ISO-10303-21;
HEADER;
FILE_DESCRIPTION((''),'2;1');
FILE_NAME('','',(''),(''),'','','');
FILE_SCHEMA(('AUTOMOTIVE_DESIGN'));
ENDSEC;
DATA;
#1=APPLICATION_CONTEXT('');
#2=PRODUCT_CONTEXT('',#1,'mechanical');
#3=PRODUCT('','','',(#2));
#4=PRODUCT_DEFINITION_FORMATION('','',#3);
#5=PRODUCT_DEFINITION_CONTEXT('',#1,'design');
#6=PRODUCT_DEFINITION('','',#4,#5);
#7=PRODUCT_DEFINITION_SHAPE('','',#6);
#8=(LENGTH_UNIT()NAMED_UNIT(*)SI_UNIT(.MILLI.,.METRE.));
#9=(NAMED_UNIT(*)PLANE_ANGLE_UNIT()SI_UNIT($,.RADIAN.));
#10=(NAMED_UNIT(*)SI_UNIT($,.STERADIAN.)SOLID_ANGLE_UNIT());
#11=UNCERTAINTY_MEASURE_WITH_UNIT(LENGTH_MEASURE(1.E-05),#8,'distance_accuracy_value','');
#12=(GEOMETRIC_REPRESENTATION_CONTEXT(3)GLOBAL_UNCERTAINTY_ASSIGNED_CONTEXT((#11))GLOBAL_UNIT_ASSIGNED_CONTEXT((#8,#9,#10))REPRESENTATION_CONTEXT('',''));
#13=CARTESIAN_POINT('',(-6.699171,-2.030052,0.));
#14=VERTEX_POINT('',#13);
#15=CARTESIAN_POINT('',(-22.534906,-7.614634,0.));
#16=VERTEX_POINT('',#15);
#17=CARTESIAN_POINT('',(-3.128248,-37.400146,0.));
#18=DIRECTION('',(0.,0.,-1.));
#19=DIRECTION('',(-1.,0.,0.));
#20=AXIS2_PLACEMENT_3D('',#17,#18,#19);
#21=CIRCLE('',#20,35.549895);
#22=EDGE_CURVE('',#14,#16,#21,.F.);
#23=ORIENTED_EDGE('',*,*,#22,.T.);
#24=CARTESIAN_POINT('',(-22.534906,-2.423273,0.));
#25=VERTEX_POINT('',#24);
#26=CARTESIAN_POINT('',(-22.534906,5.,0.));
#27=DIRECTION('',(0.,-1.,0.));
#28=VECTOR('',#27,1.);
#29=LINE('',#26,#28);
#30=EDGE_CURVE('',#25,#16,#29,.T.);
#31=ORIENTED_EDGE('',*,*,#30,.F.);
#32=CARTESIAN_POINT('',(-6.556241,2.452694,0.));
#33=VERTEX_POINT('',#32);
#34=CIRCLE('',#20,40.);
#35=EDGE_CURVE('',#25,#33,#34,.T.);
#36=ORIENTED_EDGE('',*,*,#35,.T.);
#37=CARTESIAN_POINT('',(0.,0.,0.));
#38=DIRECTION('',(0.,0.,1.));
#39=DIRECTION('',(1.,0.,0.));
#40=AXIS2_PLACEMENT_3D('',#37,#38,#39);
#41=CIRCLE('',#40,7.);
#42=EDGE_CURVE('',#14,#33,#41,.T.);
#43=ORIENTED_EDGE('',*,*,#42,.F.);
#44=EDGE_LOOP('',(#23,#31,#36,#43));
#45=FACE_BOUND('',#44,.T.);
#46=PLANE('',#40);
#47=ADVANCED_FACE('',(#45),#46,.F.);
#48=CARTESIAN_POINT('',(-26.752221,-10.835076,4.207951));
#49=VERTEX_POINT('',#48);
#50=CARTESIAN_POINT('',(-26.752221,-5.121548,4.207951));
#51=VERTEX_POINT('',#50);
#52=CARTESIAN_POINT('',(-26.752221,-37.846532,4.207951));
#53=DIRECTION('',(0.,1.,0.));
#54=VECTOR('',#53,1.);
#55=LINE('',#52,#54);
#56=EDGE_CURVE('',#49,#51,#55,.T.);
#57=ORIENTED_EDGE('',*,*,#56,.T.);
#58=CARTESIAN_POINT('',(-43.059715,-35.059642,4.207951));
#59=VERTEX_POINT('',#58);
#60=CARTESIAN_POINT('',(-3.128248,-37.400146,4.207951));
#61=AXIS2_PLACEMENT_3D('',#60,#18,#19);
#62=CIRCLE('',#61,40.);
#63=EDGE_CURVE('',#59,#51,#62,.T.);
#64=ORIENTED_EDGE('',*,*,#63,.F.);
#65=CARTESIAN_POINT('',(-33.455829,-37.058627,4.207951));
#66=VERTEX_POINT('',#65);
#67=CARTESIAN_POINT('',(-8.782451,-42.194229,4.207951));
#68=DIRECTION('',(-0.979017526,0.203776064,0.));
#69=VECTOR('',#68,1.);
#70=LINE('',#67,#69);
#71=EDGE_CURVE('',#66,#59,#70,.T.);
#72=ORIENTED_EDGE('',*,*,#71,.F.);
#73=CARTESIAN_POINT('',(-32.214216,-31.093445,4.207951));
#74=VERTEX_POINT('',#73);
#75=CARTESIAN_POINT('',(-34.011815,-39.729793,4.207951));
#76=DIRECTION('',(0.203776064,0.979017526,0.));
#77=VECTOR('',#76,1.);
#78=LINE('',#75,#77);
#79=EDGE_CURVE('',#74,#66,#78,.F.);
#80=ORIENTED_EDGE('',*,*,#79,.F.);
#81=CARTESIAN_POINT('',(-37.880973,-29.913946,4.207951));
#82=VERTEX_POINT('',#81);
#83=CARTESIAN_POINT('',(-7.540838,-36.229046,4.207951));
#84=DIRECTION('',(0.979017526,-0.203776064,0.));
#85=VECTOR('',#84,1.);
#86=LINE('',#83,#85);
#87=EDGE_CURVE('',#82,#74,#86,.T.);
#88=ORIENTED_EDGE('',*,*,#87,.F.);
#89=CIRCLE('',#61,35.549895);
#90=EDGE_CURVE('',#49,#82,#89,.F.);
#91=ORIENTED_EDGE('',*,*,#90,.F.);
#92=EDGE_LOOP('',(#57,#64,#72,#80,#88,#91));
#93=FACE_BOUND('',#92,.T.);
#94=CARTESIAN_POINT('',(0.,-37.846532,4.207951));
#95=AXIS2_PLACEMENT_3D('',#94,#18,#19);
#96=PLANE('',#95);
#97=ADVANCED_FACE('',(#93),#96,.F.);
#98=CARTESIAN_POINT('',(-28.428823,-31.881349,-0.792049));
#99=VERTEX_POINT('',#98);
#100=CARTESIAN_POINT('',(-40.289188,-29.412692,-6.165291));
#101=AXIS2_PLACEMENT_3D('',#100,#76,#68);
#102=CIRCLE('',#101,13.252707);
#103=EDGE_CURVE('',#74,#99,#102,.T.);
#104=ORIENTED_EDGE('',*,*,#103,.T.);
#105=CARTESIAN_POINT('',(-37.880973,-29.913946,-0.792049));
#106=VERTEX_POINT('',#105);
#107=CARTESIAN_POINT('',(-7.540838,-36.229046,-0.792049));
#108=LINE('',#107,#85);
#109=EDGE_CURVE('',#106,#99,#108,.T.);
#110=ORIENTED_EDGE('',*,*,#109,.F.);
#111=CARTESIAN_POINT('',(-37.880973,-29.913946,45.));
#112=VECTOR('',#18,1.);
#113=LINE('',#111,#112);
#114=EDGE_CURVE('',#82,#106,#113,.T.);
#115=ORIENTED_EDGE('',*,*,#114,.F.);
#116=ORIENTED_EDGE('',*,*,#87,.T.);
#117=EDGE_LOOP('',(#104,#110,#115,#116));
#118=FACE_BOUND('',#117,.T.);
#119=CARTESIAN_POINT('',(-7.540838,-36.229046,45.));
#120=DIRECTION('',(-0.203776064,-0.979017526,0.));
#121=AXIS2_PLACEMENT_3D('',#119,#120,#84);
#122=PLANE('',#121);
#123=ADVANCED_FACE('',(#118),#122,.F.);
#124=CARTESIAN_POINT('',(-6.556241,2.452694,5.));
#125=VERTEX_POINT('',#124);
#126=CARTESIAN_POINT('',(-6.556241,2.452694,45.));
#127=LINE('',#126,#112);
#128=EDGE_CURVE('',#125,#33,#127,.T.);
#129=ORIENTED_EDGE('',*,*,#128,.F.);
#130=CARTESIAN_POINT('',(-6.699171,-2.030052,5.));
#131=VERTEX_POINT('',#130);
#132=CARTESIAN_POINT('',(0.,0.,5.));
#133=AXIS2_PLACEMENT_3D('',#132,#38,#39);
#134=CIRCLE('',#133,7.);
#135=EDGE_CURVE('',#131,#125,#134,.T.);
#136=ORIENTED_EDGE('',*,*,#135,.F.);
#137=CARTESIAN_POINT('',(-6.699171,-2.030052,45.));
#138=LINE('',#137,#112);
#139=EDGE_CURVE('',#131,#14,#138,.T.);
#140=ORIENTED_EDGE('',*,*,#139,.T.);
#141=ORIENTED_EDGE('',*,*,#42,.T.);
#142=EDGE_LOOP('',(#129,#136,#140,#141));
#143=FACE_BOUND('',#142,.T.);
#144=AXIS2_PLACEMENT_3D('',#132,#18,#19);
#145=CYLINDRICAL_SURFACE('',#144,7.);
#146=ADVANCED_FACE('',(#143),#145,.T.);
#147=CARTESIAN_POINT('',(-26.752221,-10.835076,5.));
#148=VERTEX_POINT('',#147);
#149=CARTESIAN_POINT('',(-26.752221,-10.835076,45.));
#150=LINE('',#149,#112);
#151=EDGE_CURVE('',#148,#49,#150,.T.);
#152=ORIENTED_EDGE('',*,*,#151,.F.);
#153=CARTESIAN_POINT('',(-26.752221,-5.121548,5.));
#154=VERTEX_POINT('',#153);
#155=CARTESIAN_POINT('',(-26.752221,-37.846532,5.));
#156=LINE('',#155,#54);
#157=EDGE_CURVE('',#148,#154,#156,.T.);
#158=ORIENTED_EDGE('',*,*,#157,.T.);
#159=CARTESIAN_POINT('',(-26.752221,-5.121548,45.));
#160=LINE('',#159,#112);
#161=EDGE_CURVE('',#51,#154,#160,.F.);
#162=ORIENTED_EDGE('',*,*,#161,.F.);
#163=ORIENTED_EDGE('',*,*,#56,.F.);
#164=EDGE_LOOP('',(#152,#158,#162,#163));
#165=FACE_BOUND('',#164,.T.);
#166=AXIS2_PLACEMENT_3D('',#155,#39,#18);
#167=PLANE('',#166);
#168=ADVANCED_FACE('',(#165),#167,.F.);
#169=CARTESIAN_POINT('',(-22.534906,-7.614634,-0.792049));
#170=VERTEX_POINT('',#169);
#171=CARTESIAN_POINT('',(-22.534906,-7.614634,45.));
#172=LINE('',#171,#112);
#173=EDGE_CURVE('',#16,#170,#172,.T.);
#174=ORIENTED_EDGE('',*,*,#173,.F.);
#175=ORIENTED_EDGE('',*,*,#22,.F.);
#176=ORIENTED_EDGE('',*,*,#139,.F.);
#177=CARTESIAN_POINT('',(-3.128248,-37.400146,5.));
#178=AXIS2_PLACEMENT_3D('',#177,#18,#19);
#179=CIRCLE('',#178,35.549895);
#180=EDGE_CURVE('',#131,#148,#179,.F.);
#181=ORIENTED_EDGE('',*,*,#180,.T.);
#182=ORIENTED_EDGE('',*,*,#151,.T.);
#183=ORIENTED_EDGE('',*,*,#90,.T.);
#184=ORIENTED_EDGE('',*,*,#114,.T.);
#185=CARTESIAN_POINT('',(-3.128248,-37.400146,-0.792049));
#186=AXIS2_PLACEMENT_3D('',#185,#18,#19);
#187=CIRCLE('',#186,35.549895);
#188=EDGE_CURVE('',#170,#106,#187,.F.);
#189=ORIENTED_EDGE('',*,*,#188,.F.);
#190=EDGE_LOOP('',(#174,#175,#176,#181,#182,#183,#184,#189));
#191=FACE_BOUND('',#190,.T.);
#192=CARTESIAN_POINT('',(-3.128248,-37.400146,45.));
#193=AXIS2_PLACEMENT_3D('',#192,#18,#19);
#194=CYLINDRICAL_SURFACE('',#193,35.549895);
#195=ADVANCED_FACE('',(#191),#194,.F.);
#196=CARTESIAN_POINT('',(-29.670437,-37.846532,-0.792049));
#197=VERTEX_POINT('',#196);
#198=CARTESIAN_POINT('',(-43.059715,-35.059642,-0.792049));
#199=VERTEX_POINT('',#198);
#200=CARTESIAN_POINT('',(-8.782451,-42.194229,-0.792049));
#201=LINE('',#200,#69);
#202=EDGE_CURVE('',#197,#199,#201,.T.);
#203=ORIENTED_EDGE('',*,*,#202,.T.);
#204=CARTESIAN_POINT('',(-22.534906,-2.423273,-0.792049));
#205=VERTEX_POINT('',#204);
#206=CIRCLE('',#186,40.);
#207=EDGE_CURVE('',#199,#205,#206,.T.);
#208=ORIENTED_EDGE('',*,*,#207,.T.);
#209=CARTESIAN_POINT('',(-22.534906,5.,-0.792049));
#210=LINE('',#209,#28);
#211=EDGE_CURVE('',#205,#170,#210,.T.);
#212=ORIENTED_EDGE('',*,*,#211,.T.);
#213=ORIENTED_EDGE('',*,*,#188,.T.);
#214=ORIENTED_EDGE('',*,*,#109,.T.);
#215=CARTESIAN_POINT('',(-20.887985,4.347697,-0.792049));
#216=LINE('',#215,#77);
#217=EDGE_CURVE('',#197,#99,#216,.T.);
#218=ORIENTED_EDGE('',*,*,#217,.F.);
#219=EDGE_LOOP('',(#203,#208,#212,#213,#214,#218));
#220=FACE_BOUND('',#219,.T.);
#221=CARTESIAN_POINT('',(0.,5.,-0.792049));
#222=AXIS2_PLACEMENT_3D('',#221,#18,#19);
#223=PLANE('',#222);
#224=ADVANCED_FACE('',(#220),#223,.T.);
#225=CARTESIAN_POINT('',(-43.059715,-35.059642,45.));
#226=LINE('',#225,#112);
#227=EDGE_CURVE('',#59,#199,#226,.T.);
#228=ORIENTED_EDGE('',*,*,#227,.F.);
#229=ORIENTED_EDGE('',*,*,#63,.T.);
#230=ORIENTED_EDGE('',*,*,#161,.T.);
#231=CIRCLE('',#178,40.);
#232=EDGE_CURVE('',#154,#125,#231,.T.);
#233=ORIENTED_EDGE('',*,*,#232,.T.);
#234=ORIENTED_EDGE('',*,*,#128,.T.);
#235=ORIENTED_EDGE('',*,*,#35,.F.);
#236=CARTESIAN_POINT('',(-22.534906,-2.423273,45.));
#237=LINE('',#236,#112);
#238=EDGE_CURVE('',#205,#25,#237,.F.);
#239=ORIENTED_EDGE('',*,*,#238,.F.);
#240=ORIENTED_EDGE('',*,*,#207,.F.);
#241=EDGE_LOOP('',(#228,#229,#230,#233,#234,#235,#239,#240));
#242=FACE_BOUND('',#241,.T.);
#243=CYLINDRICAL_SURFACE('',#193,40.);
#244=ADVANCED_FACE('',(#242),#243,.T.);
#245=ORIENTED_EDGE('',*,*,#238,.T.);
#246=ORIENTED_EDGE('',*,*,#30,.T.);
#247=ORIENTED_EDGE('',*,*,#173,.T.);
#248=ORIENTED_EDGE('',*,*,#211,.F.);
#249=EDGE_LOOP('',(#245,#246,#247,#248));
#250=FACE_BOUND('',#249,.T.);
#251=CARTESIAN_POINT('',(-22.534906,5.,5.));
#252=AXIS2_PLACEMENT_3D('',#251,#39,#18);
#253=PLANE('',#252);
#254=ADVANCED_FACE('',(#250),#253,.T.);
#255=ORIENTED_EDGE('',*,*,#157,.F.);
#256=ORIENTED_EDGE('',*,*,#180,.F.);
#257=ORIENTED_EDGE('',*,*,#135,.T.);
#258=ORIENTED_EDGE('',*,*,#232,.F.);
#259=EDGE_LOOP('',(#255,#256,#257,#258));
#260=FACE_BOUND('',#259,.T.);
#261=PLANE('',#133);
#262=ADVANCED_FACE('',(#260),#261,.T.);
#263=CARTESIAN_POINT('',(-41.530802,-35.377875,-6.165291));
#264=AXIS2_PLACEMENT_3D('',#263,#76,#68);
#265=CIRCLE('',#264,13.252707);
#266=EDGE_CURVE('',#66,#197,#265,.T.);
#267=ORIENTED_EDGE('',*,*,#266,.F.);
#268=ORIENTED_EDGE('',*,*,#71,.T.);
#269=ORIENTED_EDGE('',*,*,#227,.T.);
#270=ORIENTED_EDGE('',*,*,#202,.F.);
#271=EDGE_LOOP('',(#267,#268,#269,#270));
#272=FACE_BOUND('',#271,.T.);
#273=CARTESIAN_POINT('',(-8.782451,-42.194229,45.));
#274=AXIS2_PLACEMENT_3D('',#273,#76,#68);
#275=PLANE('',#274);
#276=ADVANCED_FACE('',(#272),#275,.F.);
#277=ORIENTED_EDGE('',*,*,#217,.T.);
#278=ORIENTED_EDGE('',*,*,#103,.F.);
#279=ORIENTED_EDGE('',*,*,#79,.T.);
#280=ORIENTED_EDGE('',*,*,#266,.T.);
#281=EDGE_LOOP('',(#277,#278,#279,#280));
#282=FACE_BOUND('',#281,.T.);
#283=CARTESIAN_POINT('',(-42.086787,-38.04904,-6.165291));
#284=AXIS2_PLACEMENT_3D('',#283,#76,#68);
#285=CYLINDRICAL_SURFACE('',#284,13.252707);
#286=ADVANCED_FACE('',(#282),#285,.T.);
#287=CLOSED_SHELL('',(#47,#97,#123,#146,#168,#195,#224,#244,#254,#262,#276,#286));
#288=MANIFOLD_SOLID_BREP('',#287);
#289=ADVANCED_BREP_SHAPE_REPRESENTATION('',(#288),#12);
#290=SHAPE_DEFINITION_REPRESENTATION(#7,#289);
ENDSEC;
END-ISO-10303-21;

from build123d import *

# Parameters (mm, degrees)
BOSS_EXTRU_2_DEPTH      = 5
BOSS_EXTRU_3_DEPTH      = 45
ENL_V_START             = -73.880031702
ENL_V_MAT_EXTRU_3_DEPTH = 78.880031702
ESQUISSE4_4_W           = 16.307493561
ESQUISSE4_4_H           = 0.792049354
ENL_V_MAT_EXTRU_4_DEPTH = 58.619847767
ENL_V_MAT_EXTRU_6_DEPTH = 57.248456757
ENL_V_MAT_EXTRU_7_DEPTH = 58.619847767


with BuildPart() as part:
    # Esquisse3 → Boss.-Extru.2 (new body)
    with BuildSketch(Plane.XY):
        with BuildLine():
            ThreePointArc((7, 0), (1.246257582, 6.888166813), (-6.556240583, 2.452694319))
            ThreePointArc((-6.556240583, 2.452694319), (-6.99644453, 0.22307834), (-6.699170831, -2.030051767))
            ThreePointArc((-6.699170831, -2.030051767), (1.026110175, -6.924384298), (7, 0))
        make_face()
    extrude(amount=BOSS_EXTRU_2_DEPTH)

    # Esquisse3<3> → Boss.-Extru.3 (add)
    with BuildSketch(Plane.XY):
        with BuildLine():
            ThreePointArc((-6.556240583, 2.452694319), (-31.795381091, -9.503990443), (-43.059714875, -35.059641647))
            Line((-43.059714875, -35.059641647), (-29.67043681, -37.846531887))
            Line((-29.67043681, -37.846531887), (-28.42882324, -31.881349224))
            Line((-28.42882324, -31.881349224), (-37.880972605, -29.913946449))
            ThreePointArc((-37.880972605, -29.913946449), (-26.825365644, -10.900303142), (-6.699170831, -2.030051767))
            ThreePointArc((-6.699170831, -2.030051767), (-6.99644453, 0.22307834), (-6.556240583, 2.452694319))
        make_face()
    boss_extru_3 = extrude(amount=BOSS_EXTRU_3_DEPTH)

    # Esquisse4 → Enlèv. mat.-Extru.3 (cut)
    with BuildSketch(Plane(origin=(0, 0, 0), x_dir=(1, 0, 0), z_dir=(0, 1, 0)).offset(ENL_V_START)):
        Polygon((-6.556240583, -21.643777245), (-6.556240583, -5), (-22.534905521, -5), (-22.534905521, -5.792049354), (-43.059714875, -5.792049354), (-43.059714875, -11.918484986), (-43.059714875, -45), (-43.059714875, -53.527020644), (-6.425184121, -53.527020644), align=None)
    enl_v_mat_extru_3 = extrude(amount=ENL_V_MAT_EXTRU_3_DEPTH, mode=Mode.SUBTRACT)

    # Esquisse4<4> → Enlèv. mat.-Extru.4 (cut, through all)
    with BuildSketch(Plane(origin=(0, 0, 0), x_dir=(1, 0, 0), z_dir=(0, 1, 0))):
        with Locations((-34.905968095, -0.396024677)):
            Rectangle(ESQUISSE4_4_W, ESQUISSE4_4_H)
    enl_v_mat_extru_4 = extrude(amount=-ENL_V_MAT_EXTRU_4_DEPTH, mode=Mode.SUBTRACT)

    # Esquisse5 → Enlèv. mat.-Extru.6 (cut, through all)
    with BuildSketch(Plane(origin=(-7.540837864, -36.229046112, 0), x_dir=(0.9790175257089632, -0.2037760642340011, 0), z_dir=(0.2037760642340011, 0.9790175257089632, 0))):
        with BuildLine():
            Line((-25.202181908, -0.792049354), (-21.33566032, -0.792049354))
            Line((-21.33566032, -0.792049354), (-21.33566032, -5.792049354))
            ThreePointArc((-21.33566032, -5.792049354), (-22.966477925, -3.05816873), (-25.202181908, -0.792049354))
        make_face()
    enl_v_mat_extru_6 = extrude(amount=-ENL_V_MAT_EXTRU_6_DEPTH, mode=Mode.SUBTRACT)

    # Symétrie1: Boss.-Extru.3, Enlèv. mat.-Extru.3, Enlèv. mat.-Extru.4, Enlèv. mat.-Extru.6 across plane
    add(boss_extru_3.mirror(Plane.XY.offset(2.5)))
    add(enl_v_mat_extru_3.mirror(Plane.XY.offset(2.5)), mode=Mode.SUBTRACT)
    add(enl_v_mat_extru_4.mirror(Plane.XY.offset(2.5)), mode=Mode.SUBTRACT)
    add(enl_v_mat_extru_6.mirror(Plane.XY.offset(2.5)), mode=Mode.SUBTRACT)

    # Esquisse6 → Enlèv. mat.-Extru.7 (cut, through all)
    with BuildSketch(Plane(origin=(0, 0, 0), x_dir=(1, 0, 0), z_dir=(0, 1, 0))):
        Polygon((-22.534905521, -1196.824915859), (-22.534905521, -5), (-43.059714875, -5), (-43.059714875, -5.792049354), (-28.70402214, -5.792049354), align=None)
    extrude(amount=-ENL_V_MAT_EXTRU_7_DEPTH, mode=Mode.SUBTRACT)


solid = part.part
